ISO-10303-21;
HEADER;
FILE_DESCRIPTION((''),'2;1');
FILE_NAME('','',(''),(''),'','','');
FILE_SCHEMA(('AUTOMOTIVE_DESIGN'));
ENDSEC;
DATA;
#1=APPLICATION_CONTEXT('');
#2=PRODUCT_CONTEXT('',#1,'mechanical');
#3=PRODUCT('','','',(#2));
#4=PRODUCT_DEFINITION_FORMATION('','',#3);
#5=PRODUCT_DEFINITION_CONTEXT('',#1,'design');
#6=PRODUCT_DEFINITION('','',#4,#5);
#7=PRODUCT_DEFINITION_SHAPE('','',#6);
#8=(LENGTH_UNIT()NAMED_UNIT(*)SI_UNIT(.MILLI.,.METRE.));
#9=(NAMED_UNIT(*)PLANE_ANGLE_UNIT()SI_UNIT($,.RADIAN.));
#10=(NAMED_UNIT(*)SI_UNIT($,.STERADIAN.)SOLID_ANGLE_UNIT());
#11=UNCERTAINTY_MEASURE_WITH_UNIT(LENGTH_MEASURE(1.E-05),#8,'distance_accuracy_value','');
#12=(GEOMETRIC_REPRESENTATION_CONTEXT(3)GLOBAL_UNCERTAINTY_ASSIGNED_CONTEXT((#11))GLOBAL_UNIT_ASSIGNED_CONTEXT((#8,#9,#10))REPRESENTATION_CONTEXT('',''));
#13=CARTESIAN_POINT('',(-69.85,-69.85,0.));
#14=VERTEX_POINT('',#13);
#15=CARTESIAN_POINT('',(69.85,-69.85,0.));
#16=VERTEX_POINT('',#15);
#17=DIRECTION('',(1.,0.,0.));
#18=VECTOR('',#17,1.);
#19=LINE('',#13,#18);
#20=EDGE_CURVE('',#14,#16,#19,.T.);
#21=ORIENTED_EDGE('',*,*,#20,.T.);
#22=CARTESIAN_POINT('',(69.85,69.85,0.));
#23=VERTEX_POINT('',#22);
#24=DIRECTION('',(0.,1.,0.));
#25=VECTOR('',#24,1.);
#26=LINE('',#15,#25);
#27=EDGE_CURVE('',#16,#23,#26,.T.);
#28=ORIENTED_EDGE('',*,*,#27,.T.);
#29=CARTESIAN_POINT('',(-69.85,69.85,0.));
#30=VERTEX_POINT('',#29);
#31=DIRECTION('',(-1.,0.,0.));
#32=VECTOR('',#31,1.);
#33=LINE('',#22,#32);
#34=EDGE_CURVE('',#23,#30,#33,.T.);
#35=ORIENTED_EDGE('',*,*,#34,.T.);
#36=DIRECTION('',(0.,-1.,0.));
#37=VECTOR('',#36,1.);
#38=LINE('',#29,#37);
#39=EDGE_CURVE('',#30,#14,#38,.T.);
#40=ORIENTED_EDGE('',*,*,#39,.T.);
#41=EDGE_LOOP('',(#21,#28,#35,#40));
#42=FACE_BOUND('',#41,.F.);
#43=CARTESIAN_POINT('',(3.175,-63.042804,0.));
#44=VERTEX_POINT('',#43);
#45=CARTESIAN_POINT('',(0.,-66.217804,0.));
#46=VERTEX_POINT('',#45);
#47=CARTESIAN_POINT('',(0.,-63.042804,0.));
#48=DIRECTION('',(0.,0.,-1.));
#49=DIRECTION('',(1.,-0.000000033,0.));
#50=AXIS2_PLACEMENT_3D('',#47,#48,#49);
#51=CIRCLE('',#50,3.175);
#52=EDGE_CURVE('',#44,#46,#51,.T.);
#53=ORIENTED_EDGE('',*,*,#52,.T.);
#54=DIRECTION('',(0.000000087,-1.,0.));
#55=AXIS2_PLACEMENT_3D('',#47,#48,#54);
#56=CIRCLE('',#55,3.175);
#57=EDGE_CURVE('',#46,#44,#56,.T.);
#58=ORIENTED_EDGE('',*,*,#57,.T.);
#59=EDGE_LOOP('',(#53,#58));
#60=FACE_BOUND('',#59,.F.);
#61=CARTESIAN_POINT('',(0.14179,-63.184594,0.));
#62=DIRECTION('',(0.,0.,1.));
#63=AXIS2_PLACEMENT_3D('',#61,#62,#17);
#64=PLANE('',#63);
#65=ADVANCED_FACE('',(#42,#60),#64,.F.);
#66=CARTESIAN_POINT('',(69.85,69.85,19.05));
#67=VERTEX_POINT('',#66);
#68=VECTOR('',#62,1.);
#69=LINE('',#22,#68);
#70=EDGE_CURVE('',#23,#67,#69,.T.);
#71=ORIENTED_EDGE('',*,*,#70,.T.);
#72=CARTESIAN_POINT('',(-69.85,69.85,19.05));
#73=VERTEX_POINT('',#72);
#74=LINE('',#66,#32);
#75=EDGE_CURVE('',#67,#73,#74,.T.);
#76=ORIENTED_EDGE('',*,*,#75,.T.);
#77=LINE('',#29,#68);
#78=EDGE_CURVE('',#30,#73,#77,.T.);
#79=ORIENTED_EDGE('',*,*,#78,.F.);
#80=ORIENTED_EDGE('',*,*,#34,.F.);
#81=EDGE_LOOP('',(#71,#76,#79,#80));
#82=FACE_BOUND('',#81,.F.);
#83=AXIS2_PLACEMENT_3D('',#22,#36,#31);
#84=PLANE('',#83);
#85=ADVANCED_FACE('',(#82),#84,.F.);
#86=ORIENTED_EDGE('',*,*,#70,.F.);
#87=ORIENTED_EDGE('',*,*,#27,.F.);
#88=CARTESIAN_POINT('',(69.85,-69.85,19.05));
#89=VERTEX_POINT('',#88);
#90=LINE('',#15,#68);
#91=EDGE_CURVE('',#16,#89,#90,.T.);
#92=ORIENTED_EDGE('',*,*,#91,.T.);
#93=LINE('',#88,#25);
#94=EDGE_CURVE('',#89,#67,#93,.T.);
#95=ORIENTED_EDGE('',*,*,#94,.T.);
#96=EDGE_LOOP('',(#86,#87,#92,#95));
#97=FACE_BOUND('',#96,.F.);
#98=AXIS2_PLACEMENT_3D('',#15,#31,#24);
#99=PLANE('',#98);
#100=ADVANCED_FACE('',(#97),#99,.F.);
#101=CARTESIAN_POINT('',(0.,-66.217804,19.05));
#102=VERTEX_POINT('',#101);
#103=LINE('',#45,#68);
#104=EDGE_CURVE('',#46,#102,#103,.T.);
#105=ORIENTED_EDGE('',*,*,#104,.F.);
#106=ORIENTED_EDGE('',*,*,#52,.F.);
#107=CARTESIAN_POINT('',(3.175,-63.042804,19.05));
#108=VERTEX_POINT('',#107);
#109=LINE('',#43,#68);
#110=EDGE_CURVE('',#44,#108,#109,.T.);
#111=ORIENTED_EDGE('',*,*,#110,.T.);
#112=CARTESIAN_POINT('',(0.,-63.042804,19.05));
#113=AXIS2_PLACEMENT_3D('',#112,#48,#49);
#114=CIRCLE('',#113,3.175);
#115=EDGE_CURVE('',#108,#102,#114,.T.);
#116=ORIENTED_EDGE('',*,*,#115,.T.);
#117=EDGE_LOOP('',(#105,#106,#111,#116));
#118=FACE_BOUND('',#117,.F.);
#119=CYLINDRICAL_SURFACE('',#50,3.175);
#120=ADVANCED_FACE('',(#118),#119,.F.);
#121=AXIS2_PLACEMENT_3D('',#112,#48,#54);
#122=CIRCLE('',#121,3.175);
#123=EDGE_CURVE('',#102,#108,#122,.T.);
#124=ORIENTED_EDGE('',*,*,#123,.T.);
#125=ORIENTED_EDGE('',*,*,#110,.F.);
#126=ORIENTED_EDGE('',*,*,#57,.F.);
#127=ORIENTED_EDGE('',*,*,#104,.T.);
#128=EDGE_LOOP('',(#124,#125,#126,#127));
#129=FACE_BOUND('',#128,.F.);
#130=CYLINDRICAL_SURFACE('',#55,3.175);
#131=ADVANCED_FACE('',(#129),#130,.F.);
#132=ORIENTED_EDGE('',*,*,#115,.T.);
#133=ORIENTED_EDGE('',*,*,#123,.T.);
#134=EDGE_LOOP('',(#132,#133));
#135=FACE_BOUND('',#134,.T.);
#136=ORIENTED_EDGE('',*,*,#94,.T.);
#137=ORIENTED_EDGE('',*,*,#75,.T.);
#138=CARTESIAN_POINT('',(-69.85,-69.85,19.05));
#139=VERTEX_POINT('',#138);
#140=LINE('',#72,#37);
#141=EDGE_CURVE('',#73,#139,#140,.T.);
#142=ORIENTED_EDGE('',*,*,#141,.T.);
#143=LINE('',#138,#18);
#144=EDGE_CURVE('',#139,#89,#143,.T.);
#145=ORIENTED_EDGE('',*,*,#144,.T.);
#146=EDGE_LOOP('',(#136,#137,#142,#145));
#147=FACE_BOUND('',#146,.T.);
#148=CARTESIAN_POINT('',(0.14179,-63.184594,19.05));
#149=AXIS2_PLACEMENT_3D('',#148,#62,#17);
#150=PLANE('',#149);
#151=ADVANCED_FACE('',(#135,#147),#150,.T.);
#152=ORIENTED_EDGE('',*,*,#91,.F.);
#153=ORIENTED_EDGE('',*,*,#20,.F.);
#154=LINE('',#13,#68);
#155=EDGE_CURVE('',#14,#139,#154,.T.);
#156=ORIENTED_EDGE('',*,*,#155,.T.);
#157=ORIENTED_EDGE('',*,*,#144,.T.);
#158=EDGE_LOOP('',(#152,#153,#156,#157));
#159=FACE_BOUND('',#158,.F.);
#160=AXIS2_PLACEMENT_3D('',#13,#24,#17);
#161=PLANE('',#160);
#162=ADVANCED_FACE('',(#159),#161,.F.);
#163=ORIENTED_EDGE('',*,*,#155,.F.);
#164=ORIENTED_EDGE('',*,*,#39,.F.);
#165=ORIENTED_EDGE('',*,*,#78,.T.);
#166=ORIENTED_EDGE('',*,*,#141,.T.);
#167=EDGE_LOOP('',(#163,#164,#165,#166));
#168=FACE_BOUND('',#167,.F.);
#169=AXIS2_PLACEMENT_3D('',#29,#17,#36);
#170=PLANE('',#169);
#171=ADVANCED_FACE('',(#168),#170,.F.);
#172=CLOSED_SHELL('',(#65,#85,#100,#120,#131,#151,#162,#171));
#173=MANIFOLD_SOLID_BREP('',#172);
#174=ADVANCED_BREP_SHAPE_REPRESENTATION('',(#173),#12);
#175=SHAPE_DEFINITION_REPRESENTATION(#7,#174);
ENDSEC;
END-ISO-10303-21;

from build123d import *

# Parameters (mm, degrees)
F1_DEPTH = 19.05


with BuildPart() as f1:
    # F0 (on Top) → F1 (new body)
    with BuildSketch(Plane.XY):
        with BuildLine():
            ThreePointArc((3.175, -63.042804), (-2.245064, -60.797739), (0, -66.217804))
            ThreePointArc((0, -66.217804), (2.245064, -65.287868), (3.175, -63.042804))
        make_face()
        Polygon((-69.85, -69.85), (0, -69.85), (69.85, -69.85), (69.85, 69.85), (-69.85, 69.85), align=None)
        with BuildLine():
            ThreePointArc((3.175, -63.042804), (2.245064, -65.287868), (0, -66.217804))
            ThreePointArc((0, -66.217804), (-2.245064, -60.797739), (3.175, -63.042804))
        make_face(mode=Mode.SUBTRACT)
    extrude(amount=F1_DEPTH)


solid = f1.part
